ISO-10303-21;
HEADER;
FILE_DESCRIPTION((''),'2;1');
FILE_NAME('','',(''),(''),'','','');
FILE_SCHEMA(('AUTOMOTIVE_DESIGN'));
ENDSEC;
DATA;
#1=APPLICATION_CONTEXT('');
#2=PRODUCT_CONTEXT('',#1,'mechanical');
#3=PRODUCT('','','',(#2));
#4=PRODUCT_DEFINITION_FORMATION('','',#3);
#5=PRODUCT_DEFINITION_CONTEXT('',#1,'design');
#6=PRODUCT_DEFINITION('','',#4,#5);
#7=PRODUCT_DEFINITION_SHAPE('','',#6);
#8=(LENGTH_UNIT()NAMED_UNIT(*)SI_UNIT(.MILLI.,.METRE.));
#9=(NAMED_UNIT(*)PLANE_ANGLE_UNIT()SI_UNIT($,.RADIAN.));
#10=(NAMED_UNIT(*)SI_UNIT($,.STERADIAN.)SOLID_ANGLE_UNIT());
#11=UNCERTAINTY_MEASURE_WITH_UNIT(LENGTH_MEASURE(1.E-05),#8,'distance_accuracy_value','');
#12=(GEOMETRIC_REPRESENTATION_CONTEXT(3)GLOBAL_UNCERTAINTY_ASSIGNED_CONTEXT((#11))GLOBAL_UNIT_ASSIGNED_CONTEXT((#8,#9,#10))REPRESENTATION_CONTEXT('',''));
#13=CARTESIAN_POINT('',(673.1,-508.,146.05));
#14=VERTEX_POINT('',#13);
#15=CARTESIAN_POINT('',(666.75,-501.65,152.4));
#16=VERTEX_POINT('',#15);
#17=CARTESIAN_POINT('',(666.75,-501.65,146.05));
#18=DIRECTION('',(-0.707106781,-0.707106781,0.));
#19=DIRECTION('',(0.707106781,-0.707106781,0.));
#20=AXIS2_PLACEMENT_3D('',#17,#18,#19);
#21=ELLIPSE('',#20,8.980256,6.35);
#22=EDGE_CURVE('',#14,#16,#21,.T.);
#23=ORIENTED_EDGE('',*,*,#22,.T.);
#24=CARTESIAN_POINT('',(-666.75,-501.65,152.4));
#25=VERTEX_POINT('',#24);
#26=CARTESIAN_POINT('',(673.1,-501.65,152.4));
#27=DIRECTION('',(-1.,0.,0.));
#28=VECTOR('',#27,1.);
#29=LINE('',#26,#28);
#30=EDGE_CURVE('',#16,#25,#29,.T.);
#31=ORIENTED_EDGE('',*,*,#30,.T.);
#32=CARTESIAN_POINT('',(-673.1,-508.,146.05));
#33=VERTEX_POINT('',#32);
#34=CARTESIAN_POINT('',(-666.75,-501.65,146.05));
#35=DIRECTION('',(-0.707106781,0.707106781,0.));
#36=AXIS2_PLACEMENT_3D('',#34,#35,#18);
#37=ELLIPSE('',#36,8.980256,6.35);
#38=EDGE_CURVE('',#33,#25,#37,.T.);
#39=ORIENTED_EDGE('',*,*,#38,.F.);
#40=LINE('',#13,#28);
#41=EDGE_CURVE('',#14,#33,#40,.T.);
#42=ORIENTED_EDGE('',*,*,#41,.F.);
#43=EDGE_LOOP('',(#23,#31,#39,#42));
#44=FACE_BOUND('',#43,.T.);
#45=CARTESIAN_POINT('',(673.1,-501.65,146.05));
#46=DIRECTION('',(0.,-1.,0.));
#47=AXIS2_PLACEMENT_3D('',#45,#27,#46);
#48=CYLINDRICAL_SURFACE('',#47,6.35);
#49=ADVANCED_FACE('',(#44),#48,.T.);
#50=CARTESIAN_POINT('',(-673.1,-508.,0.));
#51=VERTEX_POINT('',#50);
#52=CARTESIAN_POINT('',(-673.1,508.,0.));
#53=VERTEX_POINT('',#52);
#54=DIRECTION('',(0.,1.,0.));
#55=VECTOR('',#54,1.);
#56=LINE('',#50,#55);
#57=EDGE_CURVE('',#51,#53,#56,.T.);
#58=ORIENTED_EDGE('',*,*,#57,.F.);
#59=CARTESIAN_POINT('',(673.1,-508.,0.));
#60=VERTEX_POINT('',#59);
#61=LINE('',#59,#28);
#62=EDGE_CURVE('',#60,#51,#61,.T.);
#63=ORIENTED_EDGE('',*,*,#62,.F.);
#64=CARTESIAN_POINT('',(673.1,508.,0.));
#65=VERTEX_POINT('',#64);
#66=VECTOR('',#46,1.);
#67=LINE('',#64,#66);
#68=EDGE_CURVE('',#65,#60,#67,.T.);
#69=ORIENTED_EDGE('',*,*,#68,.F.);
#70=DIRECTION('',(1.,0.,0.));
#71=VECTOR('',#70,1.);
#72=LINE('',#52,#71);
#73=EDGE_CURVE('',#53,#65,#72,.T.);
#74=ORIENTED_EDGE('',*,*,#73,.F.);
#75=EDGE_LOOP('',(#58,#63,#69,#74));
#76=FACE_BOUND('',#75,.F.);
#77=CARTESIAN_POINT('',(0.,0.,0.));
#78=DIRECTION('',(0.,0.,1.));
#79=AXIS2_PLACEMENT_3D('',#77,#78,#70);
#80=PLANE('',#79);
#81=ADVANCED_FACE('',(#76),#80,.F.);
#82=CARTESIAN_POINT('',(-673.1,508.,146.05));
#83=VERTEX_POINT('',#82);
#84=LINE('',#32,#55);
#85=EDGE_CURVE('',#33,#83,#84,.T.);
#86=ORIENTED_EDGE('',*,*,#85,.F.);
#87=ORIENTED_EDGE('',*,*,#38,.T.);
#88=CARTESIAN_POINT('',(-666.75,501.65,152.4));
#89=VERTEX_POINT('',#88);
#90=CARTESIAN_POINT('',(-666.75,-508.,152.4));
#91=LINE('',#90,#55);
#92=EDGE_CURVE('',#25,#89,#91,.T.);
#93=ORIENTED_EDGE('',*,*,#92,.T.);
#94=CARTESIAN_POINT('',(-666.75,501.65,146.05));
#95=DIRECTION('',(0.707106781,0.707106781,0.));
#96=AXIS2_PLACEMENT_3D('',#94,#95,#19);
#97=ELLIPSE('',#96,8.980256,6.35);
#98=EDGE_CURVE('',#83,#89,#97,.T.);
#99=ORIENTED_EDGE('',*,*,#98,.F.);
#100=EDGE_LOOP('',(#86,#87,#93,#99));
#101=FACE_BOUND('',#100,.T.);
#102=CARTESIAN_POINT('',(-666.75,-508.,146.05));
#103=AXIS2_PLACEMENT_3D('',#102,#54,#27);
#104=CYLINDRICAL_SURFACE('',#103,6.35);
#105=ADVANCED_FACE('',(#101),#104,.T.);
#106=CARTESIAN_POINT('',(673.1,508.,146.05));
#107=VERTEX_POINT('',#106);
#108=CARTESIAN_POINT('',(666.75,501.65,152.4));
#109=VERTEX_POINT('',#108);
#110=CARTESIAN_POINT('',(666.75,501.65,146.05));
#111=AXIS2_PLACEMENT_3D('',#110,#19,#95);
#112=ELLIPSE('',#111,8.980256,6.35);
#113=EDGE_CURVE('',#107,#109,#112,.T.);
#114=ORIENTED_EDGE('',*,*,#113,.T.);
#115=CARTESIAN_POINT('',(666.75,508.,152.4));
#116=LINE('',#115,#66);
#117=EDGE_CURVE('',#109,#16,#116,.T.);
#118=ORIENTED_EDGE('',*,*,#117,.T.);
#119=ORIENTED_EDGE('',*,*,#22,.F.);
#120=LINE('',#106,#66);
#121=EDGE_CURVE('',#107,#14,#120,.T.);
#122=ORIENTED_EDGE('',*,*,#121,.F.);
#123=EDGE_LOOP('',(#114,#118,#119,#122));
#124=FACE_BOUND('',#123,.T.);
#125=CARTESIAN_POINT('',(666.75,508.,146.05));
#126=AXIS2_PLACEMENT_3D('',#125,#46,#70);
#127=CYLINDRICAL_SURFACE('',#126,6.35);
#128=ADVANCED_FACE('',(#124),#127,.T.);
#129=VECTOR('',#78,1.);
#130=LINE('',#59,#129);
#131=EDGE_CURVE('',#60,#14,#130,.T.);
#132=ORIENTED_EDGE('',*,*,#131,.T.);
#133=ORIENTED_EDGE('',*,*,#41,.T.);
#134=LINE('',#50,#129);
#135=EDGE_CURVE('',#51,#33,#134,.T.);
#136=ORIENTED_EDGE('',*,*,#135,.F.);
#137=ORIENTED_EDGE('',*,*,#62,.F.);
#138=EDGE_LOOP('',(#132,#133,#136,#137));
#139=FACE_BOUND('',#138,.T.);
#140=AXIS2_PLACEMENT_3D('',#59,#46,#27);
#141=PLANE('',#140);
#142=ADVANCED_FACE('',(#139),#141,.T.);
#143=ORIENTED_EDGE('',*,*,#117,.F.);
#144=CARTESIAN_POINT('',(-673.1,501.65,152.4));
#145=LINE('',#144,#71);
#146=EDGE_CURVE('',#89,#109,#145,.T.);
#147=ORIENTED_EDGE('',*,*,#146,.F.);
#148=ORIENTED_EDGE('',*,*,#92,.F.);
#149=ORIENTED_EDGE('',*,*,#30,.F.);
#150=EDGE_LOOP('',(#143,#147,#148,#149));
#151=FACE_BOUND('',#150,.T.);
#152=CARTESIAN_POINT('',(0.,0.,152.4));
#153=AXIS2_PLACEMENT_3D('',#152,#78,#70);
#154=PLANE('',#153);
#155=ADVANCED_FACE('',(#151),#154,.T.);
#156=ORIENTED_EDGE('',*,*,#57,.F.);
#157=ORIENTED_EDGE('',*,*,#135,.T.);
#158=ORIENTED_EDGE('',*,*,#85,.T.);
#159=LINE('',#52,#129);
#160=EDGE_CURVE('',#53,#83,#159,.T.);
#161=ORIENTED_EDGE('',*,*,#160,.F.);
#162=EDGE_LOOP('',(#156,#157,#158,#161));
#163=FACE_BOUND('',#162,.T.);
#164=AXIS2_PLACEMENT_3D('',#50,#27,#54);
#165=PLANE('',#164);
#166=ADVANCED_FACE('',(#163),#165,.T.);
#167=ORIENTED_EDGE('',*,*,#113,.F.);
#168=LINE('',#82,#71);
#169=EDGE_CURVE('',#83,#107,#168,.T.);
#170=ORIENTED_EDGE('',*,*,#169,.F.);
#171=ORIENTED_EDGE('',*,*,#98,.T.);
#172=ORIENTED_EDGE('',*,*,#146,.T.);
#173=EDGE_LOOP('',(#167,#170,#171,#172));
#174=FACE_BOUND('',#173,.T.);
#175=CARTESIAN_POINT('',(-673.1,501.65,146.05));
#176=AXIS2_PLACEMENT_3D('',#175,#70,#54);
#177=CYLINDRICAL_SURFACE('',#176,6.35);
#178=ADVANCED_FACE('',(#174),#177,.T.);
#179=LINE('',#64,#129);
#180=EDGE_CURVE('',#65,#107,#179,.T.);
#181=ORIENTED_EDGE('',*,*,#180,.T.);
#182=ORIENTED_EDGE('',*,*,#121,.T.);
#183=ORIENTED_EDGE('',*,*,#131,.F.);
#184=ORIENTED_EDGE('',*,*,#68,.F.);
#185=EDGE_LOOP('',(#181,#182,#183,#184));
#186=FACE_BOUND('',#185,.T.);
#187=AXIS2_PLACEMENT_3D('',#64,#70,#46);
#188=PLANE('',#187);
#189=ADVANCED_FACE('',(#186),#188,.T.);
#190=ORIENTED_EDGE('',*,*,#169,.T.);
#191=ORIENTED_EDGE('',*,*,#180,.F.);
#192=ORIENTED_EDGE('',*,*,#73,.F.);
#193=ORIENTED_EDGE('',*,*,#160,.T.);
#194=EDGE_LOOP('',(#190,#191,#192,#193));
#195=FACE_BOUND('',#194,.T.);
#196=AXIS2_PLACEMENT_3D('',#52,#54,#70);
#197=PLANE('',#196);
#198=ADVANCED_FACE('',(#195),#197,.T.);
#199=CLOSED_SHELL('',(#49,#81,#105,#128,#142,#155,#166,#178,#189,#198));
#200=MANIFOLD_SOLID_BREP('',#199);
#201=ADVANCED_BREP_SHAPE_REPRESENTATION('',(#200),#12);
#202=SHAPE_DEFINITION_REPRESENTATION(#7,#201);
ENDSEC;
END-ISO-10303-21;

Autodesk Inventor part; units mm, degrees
ref_plane "YZ Plane" through (0, 0, 0) normal (1, 0, 0) x (0, 1, 0)
ref_plane "XZ Plane" through (0, 0, 0) normal (0, 1, 0) x (-1, 0, 0)
ref_plane "XY Plane" through (0, 0, 0) normal (0, 0, 1) x (1, 0, 0)
sketch "Sketch1" plane through (0, 0, 0) normal (0, 0, 1) x (1, 0, 0)
  line L0 (-673.1, 508) -> (673.1, 508)
  line L1 (673.1, 508) -> (673.1, -508)
  line L2 (673.1, -508) -> (-673.1, -508)
  line L3 (-673.1, -508) -> (-673.1, 508)
  line L4 (-673.1, 508) -> (673.1, -508) construction
  line L5 (673.1, 508) -> (-673.1, -508) construction
  point P0 (0, 0)
  dimension "d0" = 1346.2
  dimension "d1" = 1016
extrude "Extrusion1" add sketch "Sketch1" along normal blind 152.4
fillet "Fillet1" radius 6.35 4 edges at (0, 508, 152.4) (673.1, 0, 152.4) (0, -508, 152.4) (-673.1, 0, 152.4)
properties part number "10-1x-53x40x6 sn step" material "Granite, Cut, Polished"
